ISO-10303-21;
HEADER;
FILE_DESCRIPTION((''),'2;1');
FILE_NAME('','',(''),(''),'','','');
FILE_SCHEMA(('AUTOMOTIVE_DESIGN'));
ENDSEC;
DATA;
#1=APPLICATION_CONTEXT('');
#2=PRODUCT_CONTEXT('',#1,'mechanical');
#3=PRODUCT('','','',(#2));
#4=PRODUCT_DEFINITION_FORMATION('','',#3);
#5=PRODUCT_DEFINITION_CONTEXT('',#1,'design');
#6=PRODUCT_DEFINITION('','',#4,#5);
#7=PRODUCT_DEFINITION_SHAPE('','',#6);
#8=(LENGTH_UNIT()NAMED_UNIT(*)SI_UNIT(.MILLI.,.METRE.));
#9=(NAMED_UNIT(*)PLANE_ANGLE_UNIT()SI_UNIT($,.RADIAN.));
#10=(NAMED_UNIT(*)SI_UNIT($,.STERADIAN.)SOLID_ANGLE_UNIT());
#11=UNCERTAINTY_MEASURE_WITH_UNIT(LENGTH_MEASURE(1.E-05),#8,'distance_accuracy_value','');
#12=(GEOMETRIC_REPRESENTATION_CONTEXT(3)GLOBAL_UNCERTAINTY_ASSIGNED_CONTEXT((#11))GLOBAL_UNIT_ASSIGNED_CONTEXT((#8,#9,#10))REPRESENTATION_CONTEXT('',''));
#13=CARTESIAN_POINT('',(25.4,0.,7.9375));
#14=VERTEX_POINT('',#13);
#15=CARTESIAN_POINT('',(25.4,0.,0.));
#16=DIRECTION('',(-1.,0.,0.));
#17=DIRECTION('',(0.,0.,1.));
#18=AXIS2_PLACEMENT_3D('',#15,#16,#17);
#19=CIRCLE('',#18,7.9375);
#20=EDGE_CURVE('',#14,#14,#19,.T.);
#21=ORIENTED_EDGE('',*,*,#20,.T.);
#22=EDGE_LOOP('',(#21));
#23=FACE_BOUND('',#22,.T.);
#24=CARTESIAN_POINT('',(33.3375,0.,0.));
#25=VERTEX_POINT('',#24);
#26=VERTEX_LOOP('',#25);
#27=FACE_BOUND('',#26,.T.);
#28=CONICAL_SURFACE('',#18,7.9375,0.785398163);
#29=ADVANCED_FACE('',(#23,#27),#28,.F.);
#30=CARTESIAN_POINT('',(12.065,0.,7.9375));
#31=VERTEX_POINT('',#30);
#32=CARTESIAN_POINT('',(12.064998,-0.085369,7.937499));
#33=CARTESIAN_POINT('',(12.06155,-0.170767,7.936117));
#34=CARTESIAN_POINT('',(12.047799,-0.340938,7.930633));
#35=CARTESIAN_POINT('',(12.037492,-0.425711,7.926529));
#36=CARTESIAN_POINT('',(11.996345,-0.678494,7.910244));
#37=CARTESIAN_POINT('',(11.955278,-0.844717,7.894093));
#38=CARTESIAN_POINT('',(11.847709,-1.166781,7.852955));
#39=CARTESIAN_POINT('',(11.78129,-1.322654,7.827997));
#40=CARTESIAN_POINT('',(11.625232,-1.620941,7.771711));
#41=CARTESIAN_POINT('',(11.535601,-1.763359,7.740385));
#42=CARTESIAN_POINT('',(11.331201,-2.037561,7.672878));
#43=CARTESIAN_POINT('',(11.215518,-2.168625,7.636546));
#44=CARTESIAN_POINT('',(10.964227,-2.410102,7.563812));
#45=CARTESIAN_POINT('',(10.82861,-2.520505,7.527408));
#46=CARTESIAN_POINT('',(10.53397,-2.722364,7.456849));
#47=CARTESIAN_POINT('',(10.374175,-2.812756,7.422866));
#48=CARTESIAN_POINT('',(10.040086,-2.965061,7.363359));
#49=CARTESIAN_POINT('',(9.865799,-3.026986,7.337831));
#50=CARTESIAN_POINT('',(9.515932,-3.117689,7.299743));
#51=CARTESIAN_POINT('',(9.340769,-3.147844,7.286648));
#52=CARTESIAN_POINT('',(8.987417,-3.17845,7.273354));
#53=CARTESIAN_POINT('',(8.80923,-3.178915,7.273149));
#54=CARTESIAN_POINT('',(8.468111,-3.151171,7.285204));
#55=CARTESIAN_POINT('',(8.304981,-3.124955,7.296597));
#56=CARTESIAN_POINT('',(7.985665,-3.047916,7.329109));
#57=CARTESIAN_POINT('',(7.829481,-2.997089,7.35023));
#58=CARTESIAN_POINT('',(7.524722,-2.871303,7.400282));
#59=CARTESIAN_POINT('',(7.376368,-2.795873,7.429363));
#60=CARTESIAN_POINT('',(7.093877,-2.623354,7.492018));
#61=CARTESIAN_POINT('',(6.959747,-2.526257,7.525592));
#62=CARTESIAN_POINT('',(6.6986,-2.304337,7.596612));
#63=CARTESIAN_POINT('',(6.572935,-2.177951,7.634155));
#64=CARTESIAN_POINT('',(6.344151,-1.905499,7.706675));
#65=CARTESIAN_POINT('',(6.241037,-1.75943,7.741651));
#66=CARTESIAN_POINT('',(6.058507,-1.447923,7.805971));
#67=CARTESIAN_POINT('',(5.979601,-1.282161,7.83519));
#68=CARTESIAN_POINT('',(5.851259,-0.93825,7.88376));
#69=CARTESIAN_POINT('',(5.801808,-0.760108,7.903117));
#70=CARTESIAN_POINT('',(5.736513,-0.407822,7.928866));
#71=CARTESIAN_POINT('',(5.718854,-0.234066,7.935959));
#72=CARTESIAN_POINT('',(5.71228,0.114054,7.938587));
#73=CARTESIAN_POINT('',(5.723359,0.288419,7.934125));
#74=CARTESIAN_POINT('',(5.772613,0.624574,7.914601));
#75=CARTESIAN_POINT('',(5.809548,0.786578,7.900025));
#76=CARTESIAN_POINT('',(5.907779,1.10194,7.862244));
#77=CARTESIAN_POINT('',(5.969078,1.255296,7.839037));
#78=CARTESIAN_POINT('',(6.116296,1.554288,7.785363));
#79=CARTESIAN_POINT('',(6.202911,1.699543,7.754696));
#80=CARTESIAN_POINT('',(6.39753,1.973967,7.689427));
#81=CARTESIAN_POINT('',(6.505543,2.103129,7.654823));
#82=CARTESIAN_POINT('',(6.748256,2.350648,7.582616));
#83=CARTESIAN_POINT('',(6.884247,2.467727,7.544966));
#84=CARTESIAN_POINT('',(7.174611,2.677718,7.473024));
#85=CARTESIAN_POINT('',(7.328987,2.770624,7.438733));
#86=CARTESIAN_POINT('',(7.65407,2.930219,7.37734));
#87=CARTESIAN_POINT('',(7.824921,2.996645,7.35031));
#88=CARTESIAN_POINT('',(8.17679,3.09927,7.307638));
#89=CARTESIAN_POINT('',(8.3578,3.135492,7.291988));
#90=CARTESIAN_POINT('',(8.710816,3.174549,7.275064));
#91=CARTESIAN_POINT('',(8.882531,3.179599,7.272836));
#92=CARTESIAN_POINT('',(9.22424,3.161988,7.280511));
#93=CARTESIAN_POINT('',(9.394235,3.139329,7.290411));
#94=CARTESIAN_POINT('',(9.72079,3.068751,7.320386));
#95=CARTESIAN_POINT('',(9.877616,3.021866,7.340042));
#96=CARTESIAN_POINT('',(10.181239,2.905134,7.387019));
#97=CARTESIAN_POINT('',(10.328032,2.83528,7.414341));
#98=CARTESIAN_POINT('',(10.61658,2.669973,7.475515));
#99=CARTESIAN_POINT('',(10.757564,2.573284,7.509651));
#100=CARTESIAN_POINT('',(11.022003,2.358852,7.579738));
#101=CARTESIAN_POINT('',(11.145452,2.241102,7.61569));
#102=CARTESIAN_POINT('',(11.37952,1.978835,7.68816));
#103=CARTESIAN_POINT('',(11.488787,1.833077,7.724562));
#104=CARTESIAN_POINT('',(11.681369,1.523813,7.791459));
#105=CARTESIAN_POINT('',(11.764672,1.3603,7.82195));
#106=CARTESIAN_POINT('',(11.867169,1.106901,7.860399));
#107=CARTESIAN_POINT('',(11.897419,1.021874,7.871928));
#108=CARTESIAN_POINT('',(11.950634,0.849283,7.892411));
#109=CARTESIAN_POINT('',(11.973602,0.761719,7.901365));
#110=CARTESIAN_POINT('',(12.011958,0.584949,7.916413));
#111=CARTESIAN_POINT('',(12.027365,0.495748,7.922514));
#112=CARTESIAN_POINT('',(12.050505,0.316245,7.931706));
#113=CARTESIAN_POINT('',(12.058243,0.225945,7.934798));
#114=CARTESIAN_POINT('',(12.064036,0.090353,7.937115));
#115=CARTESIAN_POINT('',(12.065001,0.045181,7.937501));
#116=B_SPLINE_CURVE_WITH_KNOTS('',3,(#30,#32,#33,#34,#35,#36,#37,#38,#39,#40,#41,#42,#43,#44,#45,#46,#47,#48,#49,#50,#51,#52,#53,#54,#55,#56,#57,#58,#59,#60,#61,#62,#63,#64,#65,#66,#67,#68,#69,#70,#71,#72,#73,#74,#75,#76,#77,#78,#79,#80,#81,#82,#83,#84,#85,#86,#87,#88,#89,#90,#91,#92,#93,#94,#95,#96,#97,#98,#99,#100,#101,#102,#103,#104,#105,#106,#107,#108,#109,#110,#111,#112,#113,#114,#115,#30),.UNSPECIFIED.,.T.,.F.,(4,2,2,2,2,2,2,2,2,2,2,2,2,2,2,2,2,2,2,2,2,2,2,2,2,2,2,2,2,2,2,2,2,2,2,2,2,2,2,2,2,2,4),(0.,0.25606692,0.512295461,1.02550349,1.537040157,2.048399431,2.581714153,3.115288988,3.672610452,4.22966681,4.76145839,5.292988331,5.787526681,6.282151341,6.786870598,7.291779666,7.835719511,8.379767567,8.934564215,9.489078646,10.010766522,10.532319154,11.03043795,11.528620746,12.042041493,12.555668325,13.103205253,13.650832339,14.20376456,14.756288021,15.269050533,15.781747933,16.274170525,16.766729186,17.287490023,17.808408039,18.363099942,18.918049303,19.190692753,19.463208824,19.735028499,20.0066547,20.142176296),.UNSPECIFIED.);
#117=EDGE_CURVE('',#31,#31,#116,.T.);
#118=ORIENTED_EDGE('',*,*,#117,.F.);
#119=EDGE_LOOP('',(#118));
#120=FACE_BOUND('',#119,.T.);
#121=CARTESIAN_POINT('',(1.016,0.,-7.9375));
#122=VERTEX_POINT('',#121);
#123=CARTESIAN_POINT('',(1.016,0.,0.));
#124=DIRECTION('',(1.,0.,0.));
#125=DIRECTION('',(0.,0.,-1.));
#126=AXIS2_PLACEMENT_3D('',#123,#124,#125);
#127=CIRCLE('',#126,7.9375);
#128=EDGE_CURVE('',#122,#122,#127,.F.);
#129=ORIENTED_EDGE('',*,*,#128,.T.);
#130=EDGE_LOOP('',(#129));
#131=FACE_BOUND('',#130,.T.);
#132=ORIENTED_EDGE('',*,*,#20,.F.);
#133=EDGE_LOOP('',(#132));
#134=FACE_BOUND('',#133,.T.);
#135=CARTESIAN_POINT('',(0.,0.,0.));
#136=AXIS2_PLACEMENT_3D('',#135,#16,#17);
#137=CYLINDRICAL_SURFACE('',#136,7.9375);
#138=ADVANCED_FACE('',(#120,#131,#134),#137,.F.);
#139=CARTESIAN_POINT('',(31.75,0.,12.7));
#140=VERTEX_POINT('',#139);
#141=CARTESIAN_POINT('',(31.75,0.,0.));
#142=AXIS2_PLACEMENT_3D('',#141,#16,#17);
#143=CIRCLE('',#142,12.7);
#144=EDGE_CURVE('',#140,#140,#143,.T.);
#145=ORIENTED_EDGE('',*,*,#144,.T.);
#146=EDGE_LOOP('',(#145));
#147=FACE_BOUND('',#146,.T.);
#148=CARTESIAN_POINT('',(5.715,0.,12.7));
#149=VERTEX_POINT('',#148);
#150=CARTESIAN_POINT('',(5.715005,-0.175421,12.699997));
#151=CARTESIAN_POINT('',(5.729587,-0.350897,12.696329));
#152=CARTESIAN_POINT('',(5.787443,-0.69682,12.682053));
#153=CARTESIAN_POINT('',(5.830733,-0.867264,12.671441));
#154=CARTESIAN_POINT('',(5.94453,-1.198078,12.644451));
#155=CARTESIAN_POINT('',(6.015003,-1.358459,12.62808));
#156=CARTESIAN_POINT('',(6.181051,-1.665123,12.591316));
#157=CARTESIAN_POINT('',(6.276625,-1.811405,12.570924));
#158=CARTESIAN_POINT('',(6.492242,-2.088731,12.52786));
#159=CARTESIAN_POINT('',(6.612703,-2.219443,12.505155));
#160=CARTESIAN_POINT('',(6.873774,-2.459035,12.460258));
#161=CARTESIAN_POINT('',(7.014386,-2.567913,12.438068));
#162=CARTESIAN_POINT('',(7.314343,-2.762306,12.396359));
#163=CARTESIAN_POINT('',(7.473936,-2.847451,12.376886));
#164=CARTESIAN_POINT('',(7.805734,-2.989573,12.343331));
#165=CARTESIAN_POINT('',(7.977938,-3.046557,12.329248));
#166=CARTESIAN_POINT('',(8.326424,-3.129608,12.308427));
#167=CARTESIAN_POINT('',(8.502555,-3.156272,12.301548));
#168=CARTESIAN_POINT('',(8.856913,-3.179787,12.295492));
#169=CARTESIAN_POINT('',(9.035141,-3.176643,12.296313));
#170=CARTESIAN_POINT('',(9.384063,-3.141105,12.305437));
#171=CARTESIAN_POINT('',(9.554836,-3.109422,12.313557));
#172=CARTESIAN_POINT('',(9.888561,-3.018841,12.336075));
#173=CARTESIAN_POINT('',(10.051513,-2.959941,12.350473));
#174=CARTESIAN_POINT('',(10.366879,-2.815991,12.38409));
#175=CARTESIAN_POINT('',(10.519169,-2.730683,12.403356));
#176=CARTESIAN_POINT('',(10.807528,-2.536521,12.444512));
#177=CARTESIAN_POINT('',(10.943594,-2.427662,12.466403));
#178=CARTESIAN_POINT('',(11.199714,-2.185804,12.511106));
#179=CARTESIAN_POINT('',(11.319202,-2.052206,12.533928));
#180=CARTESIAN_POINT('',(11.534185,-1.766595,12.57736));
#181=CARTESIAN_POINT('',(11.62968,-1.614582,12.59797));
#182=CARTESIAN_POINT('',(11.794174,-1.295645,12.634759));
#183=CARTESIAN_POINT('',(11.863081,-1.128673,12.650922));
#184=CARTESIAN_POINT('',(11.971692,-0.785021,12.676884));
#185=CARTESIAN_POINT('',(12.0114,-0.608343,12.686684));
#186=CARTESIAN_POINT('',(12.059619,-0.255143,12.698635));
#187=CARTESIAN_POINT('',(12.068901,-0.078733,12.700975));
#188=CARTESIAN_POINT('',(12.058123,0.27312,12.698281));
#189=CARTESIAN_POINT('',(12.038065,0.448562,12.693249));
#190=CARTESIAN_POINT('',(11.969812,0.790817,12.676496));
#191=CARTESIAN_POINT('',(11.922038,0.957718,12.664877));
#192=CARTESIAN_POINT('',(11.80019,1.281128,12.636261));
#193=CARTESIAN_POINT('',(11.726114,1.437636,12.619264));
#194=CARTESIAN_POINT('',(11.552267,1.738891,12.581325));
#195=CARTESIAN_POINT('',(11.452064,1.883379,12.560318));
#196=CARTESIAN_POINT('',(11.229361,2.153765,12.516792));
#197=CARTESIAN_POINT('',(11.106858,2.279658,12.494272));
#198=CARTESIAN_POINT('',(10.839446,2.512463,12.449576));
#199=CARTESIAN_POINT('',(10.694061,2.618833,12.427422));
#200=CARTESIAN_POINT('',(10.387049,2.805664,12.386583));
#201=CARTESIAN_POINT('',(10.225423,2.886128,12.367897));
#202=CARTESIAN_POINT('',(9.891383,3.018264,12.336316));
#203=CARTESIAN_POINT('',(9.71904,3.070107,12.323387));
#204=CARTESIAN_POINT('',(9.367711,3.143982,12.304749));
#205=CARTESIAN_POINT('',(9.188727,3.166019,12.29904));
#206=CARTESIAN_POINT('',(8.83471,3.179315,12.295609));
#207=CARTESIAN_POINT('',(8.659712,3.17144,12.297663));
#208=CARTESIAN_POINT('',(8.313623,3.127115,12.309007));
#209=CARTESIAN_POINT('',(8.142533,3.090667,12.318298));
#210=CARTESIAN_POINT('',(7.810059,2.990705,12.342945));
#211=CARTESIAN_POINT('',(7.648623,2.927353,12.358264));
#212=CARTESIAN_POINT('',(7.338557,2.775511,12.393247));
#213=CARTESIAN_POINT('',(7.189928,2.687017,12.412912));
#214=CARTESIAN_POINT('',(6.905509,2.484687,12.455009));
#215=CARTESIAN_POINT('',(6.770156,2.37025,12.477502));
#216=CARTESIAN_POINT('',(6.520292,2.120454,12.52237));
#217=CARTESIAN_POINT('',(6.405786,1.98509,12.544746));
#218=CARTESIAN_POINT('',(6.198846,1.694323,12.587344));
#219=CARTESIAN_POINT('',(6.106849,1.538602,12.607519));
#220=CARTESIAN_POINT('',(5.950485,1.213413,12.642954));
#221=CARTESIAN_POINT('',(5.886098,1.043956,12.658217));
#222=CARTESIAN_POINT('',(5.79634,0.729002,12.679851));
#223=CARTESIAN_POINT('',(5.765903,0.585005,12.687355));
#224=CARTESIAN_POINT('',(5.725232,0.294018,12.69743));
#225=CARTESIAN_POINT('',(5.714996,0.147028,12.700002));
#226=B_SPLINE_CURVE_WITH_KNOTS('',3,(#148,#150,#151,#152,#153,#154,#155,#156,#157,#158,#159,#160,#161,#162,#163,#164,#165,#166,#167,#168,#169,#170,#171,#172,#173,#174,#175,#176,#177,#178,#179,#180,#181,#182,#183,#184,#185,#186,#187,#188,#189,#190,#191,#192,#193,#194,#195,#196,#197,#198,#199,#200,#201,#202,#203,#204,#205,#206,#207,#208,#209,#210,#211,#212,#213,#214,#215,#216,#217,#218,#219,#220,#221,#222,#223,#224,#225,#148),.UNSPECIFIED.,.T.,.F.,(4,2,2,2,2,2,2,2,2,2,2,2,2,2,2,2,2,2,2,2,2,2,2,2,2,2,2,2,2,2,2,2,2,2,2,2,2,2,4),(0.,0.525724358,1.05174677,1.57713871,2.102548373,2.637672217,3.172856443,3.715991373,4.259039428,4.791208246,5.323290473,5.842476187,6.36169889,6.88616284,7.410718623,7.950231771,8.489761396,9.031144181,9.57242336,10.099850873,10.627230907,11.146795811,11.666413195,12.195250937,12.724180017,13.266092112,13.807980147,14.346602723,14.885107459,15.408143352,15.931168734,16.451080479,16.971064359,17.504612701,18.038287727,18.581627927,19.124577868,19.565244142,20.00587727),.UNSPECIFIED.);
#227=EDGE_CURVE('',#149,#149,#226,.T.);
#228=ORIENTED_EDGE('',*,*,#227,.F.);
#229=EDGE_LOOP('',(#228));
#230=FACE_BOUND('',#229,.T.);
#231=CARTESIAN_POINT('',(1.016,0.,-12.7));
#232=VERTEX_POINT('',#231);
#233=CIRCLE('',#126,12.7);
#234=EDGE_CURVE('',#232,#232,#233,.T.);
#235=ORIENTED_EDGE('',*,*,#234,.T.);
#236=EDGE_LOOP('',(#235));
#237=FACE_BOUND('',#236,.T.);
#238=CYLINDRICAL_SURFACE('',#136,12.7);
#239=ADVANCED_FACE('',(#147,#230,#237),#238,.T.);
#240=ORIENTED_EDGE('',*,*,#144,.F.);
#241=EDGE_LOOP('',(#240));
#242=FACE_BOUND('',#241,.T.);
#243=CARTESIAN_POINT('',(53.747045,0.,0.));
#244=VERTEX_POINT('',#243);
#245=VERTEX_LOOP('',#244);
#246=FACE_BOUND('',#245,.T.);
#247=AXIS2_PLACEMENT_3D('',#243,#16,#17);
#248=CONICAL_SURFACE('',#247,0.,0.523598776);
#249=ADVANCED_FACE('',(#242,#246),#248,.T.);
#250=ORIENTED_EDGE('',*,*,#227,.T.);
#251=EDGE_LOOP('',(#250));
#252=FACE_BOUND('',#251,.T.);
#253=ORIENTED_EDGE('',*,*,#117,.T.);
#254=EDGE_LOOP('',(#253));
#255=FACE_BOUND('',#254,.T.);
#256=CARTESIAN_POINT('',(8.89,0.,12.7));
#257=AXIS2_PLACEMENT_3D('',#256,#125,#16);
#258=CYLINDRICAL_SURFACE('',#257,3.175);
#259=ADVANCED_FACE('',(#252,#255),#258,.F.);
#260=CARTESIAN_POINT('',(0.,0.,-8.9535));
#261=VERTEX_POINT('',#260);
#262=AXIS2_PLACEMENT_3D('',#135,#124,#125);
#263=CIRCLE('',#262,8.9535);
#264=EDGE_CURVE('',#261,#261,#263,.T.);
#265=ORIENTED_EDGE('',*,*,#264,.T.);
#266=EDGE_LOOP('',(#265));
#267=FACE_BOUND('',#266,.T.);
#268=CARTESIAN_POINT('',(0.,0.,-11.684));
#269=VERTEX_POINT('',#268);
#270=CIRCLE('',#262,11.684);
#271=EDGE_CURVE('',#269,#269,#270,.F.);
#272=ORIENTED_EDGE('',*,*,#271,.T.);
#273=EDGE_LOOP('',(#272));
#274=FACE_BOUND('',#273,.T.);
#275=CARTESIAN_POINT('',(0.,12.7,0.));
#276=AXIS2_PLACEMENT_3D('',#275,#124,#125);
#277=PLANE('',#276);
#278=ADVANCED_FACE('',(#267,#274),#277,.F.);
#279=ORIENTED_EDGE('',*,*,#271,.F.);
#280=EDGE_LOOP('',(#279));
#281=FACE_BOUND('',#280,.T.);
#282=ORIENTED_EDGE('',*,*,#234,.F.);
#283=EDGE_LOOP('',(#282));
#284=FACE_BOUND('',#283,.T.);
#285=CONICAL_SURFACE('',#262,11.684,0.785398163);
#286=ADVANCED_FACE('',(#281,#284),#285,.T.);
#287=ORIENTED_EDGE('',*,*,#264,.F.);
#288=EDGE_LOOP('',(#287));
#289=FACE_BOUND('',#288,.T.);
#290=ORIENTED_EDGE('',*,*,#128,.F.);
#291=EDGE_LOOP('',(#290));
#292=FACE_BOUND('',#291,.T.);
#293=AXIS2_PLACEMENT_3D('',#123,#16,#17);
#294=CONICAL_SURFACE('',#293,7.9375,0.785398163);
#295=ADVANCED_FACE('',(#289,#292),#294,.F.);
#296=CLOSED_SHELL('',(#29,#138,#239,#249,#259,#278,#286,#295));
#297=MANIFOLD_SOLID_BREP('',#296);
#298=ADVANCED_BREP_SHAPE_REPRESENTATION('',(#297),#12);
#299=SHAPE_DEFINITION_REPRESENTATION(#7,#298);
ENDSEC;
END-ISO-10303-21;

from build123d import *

# Parameters (mm, degrees)
SKETCH2_R          = 3.175
CUT_EXTRUDE1_DEPTH = 57.668552776
CHAMFER1_SIZE      = 1.016


with BuildPart() as part:
    # Sketch1 → Revolve1 (revolve)
    with BuildSketch(Plane.XY, mode=Mode.PRIVATE) as revolve1_sk:
        Polygon((0, 12.7), (31.75, 12.7), (53.747045256, 0), (33.3375, 0), (25.4, 7.9375), (0, 7.9375), align=None)
    revolve(revolve1_sk.sketch.rotate(Axis((0, 0, 0), (1, 0, 0)), 90), axis=Axis((0, 0, 0), (1, 0, 0)))

    # Sketch2 → Cut-Extrude1 (cut, through all)
    with BuildSketch(Plane.XY):
        with Locations(Location((8.89, 0, 0), (0, 0, 180))):
            Circle(SKETCH2_R)
    extrude(amount=CUT_EXTRUDE1_DEPTH, mode=Mode.SUBTRACT)

    # Chamfer1
    chamfer1_edges = [part.edges().sort_by_distance(p)[0] for p in [
        (0, 0, -12.7),
        (0, 0, -7.9375),
    ]]
    chamfer(chamfer1_edges, length=CHAMFER1_SIZE)


solid = part.part
